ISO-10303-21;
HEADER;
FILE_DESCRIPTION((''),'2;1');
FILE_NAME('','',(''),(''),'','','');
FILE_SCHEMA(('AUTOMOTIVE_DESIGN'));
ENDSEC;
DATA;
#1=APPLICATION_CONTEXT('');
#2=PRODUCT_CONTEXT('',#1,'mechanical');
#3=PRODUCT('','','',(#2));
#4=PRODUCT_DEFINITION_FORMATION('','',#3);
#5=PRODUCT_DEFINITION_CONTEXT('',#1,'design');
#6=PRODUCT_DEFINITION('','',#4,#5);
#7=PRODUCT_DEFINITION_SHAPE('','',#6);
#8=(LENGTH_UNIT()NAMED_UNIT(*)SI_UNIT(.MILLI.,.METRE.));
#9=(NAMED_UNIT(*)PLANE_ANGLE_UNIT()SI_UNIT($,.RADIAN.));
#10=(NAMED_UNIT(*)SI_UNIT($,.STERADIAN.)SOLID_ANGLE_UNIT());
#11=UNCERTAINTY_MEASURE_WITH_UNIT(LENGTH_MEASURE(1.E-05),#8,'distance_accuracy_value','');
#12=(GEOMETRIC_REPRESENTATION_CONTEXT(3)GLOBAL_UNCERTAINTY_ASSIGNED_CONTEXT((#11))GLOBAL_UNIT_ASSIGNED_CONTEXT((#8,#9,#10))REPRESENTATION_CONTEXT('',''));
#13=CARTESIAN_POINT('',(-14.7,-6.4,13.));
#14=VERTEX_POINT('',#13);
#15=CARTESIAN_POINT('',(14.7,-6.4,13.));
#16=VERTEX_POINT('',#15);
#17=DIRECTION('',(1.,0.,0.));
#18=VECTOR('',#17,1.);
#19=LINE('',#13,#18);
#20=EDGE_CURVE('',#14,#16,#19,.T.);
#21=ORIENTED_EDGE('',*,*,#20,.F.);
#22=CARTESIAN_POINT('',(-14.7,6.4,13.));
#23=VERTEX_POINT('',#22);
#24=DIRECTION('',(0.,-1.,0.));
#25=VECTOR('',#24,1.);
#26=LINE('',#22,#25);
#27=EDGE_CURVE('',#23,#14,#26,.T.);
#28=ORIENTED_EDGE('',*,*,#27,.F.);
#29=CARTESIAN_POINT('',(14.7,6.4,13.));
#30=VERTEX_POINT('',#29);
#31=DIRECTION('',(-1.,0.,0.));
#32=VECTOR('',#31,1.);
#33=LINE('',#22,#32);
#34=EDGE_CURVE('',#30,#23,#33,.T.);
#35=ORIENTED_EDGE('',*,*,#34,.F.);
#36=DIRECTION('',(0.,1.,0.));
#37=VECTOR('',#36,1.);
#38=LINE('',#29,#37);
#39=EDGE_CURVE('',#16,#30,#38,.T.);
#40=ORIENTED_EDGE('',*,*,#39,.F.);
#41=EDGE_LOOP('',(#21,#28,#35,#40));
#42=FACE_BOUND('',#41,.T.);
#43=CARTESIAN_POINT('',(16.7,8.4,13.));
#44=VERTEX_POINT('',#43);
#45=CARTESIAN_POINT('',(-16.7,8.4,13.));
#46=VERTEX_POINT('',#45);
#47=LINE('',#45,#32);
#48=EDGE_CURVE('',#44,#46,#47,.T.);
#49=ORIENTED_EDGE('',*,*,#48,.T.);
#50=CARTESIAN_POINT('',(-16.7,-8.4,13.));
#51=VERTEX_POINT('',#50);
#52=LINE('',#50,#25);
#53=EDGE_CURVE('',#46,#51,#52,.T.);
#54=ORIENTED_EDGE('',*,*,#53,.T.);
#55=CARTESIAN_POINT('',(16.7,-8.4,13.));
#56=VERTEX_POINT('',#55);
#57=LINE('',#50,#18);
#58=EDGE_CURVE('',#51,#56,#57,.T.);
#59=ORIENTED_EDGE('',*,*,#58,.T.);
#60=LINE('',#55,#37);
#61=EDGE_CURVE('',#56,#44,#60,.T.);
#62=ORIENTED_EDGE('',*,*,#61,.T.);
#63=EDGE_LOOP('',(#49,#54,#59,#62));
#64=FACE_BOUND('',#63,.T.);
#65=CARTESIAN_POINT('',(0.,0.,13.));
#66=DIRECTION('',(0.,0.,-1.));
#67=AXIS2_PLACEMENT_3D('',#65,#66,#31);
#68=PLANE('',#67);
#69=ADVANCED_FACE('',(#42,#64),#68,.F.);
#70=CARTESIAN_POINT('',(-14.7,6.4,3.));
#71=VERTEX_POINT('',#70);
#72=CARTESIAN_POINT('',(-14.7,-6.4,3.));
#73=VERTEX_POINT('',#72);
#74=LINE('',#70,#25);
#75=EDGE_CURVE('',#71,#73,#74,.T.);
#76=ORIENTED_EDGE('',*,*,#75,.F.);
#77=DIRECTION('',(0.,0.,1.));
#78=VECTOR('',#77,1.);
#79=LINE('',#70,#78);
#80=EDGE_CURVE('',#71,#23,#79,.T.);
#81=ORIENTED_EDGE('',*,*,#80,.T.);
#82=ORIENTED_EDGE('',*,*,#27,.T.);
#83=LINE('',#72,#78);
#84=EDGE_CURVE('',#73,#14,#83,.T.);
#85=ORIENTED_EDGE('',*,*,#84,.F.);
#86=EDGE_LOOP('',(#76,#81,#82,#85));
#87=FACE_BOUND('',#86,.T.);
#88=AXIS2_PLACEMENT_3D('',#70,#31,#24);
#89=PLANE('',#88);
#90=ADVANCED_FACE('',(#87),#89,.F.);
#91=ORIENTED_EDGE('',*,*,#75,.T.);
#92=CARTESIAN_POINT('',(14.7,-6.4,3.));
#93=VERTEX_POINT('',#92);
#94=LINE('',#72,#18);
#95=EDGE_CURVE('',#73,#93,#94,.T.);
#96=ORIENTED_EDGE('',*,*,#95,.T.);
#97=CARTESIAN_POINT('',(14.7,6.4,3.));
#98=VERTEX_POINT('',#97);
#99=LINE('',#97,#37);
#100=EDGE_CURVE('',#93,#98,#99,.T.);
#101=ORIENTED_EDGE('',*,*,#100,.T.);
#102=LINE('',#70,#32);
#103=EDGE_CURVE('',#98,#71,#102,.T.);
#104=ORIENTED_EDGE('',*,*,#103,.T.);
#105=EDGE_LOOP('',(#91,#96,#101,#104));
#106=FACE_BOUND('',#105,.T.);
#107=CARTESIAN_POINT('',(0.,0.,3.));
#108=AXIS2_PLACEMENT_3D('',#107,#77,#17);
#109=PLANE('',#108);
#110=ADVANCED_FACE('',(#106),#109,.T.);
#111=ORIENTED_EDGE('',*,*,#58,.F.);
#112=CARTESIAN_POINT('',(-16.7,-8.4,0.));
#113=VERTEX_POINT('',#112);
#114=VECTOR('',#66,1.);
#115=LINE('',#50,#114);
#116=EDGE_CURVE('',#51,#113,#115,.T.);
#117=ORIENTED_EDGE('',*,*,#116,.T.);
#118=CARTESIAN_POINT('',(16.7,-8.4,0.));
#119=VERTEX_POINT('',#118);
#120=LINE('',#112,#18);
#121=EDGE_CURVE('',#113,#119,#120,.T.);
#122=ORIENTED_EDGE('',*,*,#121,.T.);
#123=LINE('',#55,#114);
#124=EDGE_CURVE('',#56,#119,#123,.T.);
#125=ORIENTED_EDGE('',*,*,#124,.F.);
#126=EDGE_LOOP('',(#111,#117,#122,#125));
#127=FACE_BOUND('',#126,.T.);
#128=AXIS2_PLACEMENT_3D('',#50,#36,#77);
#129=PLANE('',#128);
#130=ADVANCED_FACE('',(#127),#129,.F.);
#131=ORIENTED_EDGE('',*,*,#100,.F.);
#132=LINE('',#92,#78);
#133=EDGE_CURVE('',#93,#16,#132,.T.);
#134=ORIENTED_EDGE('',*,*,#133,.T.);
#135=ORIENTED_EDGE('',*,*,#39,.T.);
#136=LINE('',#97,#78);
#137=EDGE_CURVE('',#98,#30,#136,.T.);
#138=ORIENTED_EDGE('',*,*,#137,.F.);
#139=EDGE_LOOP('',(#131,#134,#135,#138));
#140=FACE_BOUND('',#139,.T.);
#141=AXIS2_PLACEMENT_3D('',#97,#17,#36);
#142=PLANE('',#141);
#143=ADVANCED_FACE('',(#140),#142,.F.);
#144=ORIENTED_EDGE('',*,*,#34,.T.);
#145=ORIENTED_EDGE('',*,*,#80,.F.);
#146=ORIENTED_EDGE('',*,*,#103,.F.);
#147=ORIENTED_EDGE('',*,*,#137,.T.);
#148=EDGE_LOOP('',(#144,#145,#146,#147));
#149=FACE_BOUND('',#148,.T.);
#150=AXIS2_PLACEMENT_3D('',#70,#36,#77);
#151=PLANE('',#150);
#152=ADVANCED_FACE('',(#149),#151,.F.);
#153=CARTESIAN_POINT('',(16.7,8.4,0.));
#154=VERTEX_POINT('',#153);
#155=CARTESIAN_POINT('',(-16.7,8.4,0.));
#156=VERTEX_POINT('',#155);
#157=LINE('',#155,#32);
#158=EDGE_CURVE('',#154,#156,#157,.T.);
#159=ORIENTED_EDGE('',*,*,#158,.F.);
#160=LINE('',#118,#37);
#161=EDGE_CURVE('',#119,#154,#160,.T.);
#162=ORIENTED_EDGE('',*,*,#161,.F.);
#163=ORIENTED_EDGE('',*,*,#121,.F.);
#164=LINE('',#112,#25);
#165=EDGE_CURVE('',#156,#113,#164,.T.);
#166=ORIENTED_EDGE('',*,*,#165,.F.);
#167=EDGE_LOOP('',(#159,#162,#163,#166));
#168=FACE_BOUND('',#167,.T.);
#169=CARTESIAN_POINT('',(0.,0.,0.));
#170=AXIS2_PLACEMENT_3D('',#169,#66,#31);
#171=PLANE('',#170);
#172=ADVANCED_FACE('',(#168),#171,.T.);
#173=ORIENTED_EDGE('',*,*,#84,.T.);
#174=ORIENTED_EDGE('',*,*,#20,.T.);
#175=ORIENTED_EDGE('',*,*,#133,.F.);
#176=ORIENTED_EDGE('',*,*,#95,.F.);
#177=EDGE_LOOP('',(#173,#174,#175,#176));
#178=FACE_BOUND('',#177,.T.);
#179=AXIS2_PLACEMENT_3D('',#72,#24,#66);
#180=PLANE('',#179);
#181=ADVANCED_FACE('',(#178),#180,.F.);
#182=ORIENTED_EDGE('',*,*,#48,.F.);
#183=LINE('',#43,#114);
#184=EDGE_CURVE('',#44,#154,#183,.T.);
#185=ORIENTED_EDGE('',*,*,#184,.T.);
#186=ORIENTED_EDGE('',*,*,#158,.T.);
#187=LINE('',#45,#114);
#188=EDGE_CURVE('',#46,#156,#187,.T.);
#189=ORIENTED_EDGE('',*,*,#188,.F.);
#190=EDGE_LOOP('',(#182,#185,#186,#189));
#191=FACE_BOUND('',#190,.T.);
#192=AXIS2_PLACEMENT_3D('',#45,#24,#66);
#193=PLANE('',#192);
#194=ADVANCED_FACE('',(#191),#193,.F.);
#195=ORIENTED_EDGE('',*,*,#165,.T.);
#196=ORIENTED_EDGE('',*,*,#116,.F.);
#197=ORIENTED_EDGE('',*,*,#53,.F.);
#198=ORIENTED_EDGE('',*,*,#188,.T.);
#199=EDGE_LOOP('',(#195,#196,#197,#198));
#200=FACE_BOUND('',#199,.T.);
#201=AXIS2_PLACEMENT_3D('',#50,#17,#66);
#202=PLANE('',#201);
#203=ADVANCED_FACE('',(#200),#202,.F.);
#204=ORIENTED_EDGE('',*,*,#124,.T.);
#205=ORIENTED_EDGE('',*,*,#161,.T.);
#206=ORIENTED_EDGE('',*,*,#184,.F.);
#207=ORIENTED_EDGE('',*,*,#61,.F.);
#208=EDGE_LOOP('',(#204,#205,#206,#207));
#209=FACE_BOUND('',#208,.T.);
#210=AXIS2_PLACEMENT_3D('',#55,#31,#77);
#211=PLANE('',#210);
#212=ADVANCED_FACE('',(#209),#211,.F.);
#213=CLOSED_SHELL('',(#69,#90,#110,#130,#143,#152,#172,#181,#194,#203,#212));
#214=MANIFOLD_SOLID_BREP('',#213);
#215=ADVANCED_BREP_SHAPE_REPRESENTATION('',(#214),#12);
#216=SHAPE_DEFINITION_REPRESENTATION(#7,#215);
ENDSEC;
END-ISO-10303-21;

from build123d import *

# Parameters (mm, degrees)
SKETCH_2_W          = 33.4
SKETCH_2_H          = 16.8
EXTRUDE_1_DEPTH     = 13
SKETCH_3_W          = 29.4
SKETCH_3_H          = 12.8
CUT_EXTRUDE_1_DEPTH = 10


with BuildPart() as part:
    # Эскиз2 → Бобышка-Вытянуть1 (new body)
    with BuildSketch(Plane.XY):
        Rectangle(SKETCH_2_W, SKETCH_2_H)
    extrude(amount=EXTRUDE_1_DEPTH)

    # Эскиз3 → Вырез-Вытянуть1 (cut)
    with BuildSketch(Plane.XY.offset(13)):
        Rectangle(SKETCH_3_W, SKETCH_3_H)
    extrude(amount=-CUT_EXTRUDE_1_DEPTH, mode=Mode.SUBTRACT)


solid = part.part
